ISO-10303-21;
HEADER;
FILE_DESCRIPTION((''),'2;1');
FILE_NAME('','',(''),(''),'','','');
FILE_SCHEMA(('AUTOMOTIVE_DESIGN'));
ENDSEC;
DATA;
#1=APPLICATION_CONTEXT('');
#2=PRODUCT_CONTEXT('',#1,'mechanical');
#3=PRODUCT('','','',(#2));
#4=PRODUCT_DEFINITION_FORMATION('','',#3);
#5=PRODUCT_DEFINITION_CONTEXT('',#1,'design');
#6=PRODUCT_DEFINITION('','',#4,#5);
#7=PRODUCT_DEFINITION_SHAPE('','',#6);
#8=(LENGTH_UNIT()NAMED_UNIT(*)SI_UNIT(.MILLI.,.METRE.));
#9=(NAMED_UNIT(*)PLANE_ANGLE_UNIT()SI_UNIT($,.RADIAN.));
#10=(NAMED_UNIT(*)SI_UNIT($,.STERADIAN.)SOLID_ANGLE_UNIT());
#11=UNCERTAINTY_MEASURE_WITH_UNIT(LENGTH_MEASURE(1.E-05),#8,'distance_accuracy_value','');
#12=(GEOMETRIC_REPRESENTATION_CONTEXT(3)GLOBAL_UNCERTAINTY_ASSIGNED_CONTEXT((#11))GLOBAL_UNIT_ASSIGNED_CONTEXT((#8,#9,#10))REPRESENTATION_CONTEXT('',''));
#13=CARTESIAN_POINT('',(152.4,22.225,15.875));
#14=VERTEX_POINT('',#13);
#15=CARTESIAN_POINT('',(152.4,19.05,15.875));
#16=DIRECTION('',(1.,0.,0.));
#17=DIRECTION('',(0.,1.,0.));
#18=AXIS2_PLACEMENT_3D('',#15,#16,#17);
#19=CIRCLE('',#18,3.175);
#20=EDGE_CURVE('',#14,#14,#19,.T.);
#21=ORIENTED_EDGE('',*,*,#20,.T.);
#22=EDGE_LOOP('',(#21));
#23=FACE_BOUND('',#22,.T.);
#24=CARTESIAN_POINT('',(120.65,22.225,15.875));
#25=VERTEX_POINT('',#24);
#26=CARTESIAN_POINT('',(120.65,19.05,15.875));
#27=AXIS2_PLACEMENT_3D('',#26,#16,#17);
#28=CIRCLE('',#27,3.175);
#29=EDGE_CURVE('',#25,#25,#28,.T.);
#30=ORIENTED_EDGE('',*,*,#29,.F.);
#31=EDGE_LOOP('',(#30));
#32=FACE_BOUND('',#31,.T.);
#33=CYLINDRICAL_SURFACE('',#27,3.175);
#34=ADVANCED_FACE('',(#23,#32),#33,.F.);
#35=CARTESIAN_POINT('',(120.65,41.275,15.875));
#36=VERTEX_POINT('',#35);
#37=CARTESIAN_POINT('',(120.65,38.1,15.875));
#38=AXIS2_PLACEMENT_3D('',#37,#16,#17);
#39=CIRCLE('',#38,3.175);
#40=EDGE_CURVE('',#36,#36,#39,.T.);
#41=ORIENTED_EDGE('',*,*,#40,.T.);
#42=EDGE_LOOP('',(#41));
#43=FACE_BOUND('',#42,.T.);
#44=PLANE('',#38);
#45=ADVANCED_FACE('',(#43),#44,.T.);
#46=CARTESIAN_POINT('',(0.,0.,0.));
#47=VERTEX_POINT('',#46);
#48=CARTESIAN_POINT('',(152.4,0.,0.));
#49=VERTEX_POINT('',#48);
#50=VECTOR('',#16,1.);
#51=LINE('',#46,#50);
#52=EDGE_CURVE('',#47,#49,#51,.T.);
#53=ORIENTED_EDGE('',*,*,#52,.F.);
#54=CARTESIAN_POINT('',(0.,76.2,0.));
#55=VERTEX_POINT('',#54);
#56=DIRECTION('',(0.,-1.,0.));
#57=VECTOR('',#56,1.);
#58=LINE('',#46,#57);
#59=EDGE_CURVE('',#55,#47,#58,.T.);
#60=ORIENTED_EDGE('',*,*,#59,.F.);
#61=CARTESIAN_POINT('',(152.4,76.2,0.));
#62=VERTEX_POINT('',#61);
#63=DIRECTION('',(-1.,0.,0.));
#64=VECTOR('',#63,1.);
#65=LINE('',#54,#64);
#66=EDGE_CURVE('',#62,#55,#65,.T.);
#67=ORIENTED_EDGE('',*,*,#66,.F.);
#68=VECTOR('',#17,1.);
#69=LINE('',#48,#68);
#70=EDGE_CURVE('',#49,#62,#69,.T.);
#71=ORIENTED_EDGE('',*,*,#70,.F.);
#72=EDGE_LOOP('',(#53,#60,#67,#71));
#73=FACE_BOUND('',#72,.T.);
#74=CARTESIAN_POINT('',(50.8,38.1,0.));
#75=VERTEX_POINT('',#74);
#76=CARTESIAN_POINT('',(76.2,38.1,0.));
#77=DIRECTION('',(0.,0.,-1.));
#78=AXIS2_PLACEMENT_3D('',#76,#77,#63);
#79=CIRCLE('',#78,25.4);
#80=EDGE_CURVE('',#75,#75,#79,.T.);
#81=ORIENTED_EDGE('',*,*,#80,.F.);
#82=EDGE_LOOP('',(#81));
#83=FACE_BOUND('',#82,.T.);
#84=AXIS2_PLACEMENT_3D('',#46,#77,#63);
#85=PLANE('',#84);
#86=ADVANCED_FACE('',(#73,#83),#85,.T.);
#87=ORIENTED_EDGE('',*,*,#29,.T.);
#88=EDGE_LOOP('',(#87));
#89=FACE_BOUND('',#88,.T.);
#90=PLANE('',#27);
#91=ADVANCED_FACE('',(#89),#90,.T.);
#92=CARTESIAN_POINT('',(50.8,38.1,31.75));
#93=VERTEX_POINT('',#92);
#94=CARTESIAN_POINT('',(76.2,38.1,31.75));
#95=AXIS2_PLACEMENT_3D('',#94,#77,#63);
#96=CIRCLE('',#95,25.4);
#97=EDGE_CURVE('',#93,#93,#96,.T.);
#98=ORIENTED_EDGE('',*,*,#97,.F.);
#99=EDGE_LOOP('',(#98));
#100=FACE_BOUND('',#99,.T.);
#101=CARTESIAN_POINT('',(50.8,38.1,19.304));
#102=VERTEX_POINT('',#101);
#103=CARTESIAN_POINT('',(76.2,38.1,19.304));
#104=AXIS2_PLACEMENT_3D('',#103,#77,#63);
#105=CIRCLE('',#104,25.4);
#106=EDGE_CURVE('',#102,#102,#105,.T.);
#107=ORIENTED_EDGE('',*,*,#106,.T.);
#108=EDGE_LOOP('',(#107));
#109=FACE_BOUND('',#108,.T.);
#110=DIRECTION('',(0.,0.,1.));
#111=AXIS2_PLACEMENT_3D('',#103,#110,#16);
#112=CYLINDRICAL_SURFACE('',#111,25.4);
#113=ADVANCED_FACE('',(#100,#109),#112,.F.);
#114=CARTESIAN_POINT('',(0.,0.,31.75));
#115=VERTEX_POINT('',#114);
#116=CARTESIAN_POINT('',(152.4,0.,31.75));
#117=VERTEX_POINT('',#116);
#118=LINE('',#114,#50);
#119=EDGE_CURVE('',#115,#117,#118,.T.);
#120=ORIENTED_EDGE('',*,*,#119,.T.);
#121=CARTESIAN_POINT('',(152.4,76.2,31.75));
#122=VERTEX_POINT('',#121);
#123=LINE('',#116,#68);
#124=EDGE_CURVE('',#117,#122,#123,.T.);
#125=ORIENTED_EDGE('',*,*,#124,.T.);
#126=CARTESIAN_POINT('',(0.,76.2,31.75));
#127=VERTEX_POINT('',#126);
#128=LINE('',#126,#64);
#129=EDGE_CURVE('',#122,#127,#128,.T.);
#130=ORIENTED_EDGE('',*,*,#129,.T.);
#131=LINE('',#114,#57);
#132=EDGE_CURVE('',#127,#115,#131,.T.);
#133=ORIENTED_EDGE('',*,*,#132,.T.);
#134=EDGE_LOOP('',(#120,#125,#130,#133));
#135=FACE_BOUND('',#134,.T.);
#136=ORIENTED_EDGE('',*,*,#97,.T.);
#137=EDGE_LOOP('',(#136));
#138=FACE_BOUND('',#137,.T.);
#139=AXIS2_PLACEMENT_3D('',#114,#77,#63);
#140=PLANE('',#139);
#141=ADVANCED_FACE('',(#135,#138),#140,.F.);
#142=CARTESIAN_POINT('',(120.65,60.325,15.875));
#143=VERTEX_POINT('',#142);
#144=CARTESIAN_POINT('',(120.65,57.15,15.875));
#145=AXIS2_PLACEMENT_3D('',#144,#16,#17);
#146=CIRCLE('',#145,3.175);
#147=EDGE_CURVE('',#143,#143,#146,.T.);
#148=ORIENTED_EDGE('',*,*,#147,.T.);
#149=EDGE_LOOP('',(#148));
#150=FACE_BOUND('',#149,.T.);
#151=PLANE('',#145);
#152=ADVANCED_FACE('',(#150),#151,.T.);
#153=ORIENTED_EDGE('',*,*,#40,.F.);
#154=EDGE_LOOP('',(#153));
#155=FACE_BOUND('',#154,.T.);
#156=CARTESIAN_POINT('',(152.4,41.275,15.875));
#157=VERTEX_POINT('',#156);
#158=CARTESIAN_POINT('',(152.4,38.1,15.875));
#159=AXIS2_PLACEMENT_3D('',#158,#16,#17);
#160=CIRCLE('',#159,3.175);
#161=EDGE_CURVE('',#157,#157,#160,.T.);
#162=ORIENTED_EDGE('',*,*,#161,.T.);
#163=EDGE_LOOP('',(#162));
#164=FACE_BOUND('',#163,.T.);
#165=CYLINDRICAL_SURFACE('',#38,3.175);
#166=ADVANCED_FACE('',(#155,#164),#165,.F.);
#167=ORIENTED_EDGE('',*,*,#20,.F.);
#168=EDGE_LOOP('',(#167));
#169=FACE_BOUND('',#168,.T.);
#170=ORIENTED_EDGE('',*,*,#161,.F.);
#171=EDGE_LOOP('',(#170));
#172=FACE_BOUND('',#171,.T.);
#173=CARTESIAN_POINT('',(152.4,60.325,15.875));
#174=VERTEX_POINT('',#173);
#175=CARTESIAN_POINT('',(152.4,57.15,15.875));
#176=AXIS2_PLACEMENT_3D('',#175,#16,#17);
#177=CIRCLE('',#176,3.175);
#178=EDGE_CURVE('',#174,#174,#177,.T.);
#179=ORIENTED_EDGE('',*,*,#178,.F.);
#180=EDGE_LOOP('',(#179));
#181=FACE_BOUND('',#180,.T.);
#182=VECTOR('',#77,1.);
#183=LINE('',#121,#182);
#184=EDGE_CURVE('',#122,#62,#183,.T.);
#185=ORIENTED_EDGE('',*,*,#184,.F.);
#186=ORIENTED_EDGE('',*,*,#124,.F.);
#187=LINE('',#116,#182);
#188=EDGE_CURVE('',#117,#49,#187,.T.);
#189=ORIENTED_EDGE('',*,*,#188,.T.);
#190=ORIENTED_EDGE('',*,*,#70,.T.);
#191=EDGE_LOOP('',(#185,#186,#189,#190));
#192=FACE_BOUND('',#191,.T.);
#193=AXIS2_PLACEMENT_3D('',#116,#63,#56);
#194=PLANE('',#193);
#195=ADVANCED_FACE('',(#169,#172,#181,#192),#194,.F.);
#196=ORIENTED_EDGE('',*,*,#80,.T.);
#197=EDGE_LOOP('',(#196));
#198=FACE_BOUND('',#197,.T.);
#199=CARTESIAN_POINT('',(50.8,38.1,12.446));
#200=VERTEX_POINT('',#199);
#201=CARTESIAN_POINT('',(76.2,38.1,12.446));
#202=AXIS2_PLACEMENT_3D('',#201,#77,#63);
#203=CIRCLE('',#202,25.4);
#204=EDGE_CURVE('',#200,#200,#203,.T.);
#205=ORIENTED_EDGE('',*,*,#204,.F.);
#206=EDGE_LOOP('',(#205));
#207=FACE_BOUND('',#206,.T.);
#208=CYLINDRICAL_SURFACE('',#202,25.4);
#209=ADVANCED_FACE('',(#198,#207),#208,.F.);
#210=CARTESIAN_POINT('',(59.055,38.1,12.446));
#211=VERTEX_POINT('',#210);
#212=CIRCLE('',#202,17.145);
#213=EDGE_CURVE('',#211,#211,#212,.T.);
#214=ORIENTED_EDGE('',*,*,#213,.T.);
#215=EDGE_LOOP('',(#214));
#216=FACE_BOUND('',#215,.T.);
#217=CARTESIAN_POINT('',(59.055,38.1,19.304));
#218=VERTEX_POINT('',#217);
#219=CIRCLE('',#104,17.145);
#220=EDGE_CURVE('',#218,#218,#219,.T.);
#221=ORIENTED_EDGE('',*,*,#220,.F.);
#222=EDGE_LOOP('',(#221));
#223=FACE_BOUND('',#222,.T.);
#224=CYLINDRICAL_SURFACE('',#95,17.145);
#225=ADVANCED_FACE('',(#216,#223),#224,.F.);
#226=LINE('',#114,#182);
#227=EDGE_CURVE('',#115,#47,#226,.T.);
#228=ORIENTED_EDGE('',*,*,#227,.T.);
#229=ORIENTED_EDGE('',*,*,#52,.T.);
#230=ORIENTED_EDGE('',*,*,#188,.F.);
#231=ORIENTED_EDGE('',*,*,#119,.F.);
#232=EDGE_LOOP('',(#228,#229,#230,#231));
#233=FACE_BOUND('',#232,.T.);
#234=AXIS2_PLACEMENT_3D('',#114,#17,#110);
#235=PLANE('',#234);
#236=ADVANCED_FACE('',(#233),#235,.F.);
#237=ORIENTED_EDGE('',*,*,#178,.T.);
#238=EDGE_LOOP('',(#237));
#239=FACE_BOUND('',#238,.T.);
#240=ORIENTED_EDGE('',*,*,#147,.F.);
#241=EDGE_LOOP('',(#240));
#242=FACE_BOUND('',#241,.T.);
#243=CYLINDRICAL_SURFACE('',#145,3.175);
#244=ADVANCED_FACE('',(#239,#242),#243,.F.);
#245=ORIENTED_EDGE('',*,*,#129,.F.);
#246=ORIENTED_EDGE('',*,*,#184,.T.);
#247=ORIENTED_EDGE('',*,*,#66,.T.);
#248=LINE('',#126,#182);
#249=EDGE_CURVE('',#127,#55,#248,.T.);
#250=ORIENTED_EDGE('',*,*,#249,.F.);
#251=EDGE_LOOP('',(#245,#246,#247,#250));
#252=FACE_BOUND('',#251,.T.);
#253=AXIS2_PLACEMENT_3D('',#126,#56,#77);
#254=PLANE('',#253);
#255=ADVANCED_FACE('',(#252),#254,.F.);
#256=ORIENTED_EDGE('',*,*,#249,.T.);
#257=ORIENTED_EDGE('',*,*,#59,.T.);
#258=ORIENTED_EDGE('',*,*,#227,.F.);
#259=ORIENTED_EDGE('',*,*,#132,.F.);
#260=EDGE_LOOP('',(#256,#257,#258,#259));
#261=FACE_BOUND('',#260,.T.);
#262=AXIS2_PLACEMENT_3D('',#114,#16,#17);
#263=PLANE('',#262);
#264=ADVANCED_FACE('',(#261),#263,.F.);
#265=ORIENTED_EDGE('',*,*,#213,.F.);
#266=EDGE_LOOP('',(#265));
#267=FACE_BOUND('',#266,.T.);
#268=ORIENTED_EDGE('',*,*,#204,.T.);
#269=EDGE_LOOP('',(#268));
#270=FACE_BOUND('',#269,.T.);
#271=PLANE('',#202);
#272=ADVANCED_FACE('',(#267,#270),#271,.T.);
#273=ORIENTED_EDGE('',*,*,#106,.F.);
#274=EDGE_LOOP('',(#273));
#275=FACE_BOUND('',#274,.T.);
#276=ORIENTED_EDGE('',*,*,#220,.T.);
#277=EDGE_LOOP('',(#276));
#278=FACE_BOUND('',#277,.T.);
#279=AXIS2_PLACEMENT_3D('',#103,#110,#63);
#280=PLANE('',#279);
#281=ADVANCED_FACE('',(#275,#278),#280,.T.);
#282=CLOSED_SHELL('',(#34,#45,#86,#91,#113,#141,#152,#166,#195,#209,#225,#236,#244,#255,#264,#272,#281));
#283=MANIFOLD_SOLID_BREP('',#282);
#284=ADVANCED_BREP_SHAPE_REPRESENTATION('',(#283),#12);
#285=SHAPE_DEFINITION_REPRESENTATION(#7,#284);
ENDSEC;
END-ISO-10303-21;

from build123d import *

# Parameters (mm, degrees)
SKETCH1_W           = 152.4
SKETCH1_H           = 76.2
BOSS_EXTRUDE1_DEPTH = 31.75
SKETCH2_R           = 17.145
CUT_EXTRUDE1_DEPTH  = 174.321269612
SKETCH2_2_R         = 25.4
SKETCH2_2_R_2       = 17.145
CUT_EXTRUDE3_DEPTH  = 12.446
SKETCH3_R           = 3.175
CUT_EXTRUDE4_DEPTH  = 31.75


with BuildPart() as part:
    # Sketch1 → Boss-Extrude1 (new body)
    with BuildSketch(Plane.XY):
        with Locations((76.2, 38.1)):
            Rectangle(SKETCH1_W, SKETCH1_H)
    extrude(amount=BOSS_EXTRUDE1_DEPTH)

    # Sketch2 → Cut-Extrude1 (cut, through all)
    with BuildSketch(Plane(origin=(0, 0, 0), x_dir=(-1, 0, 0), z_dir=(0, 0, -1))):
        with Locations((-76.2, 38.1)):
            Circle(SKETCH2_R)
    extrude(amount=-CUT_EXTRUDE1_DEPTH, mode=Mode.SUBTRACT)

    # Sketch2<2> → Cut-Extrude3 (cut)
    with BuildSketch(Plane(origin=(0, 0, 0), x_dir=(-1, 0, 0), z_dir=(0, 0, -1))):
        with Locations((-76.2, 38.1)):
            Circle(SKETCH2_2_R)
        with Locations((-76.2, 38.1)):
            Circle(SKETCH2_2_R_2, mode=Mode.SUBTRACT)
    cut_extrude3 = extrude(amount=-CUT_EXTRUDE3_DEPTH, mode=Mode.SUBTRACT)

    # Mirror2: Cut-Extrude3 across plane
    add(cut_extrude3.mirror(Plane(origin=(0, 0, 15.875), x_dir=(1, 0, 0), z_dir=(0, 0, -1))), mode=Mode.SUBTRACT)

    # Sketch3 → Cut-Extrude4 (cut)
    with BuildSketch(Plane(origin=(152.4, 0, 0), x_dir=(0, 0, -1), z_dir=(1, 0, 0))):
        with Locations((-15.875, 57.15)):
            Circle(SKETCH3_R)
        with Locations((-15.875, 19.05)):
            Circle(SKETCH3_R)
        with Locations((-15.875, 38.1)):
            Circle(SKETCH3_R)
    extrude(amount=-CUT_EXTRUDE4_DEPTH, mode=Mode.SUBTRACT)


solid = part.part
